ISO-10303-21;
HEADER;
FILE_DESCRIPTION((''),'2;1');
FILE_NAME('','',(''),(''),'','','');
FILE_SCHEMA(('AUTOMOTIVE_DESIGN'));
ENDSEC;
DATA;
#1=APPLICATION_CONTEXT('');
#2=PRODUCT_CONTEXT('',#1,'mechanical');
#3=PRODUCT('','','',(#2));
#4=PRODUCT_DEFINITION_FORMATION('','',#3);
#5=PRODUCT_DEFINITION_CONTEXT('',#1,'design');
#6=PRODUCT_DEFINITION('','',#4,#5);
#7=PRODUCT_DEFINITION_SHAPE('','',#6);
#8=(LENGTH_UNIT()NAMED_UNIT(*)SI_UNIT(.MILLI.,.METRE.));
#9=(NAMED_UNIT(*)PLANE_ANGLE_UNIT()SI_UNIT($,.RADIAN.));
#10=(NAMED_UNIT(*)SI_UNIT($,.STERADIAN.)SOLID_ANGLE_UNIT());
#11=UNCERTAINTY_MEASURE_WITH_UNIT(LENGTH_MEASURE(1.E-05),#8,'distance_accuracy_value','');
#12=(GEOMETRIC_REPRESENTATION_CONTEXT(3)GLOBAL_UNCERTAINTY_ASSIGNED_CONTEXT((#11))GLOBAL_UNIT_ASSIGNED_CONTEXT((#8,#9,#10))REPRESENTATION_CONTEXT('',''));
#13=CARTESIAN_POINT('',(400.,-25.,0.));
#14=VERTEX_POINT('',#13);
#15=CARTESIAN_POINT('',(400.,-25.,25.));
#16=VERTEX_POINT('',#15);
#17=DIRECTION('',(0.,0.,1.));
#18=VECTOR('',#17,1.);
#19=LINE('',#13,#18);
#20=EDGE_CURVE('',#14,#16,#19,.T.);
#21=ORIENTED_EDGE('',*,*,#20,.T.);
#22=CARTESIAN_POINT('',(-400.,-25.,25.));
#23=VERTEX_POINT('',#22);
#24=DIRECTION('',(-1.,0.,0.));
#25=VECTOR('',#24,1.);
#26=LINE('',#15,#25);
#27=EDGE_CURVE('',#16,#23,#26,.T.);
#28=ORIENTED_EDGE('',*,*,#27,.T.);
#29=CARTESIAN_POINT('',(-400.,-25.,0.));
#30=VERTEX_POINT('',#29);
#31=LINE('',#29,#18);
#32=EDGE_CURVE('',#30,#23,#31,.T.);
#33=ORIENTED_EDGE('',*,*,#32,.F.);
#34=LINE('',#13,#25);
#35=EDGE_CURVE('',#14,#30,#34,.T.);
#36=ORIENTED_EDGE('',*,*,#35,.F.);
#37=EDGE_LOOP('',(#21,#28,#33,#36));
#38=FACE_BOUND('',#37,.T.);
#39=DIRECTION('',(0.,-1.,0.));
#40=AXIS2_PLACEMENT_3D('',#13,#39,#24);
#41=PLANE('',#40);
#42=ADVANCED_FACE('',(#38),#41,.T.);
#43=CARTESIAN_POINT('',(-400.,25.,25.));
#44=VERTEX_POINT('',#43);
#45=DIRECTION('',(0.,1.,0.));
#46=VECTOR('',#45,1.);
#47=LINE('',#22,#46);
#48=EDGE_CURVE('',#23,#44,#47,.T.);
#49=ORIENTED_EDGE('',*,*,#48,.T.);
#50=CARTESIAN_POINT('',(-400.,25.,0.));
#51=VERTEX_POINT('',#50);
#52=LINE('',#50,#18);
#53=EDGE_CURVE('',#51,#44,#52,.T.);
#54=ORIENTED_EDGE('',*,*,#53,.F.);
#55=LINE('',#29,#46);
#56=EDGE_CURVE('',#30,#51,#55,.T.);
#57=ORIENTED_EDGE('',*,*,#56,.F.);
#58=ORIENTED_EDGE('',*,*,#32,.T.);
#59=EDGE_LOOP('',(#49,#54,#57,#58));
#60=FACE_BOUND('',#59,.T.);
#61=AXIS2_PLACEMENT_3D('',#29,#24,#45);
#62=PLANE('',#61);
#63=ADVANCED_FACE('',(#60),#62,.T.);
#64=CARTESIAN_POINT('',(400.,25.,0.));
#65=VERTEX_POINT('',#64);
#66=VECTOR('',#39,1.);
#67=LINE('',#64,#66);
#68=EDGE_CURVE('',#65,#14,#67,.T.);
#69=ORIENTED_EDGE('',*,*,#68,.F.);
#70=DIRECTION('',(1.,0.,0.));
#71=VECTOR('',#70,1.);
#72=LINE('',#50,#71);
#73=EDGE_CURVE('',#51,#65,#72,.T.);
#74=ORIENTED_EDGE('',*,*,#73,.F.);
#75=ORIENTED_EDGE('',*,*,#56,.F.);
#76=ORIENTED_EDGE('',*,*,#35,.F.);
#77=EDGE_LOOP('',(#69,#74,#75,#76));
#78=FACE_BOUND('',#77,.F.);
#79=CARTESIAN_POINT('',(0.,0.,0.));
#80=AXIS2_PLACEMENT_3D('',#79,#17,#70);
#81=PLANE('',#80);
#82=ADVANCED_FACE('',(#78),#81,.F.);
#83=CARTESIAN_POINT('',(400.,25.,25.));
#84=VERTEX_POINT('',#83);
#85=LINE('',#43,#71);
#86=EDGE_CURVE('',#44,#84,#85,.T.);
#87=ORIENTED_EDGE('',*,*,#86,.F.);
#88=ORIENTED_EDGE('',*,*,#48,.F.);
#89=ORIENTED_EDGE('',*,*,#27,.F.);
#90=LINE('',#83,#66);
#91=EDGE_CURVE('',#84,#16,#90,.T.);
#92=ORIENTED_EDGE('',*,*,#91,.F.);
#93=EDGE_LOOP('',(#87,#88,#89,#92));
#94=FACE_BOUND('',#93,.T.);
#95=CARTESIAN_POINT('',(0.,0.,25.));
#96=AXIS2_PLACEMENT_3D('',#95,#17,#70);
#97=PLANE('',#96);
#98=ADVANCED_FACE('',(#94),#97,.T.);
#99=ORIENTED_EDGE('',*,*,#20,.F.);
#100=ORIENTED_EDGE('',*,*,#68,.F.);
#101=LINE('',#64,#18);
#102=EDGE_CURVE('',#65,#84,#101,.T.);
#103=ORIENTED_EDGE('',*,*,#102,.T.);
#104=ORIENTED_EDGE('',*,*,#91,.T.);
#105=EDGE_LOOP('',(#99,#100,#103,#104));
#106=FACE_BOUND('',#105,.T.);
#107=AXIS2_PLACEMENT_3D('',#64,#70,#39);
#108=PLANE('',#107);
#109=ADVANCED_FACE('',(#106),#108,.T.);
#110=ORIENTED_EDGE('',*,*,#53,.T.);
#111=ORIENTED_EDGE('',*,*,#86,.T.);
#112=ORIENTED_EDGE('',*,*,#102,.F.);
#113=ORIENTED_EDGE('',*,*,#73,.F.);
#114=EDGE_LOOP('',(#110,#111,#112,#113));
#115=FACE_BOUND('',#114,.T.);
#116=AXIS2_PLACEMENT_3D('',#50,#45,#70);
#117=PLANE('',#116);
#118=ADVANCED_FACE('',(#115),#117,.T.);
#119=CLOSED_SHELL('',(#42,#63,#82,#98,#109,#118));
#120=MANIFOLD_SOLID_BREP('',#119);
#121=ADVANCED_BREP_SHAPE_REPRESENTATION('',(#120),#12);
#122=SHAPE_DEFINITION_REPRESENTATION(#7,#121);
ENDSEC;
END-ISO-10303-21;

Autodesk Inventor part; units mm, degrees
ref_plane "YZ Plane" through (0, 0, 0) normal (1, 0, 0) x (0, 1, 0)
ref_plane "XZ Plane" through (0, 0, 0) normal (0, 1, 0) x (-1, 0, 0)
ref_plane "XY Plane" through (0, 0, 0) normal (0, 0, 1) x (1, 0, 0)
sketch "Sketch1" plane through (0, 0, 0) normal (0, 0, 1) x (1, 0, 0)
  line L0 (-400, 25) -> (400, 25)
  line L1 (400, 25) -> (400, -25)
  line L2 (400, -25) -> (-400, -25)
  line L3 (-400, -25) -> (-400, 25)
  line L4 (0, -25) -> (0, 25) construction
  point P0 (0, 0)
  point P1 (0, 0)
  dimension "d0" = 800
  dimension "d1" = 50
extrude "Extrusion1" add sketch "Sketch1" along normal blind 25
equation "\"d0\" = wall_length"
equation "\"d1\" = wall_width"
equation "\"d2\" = wall_thickness"
equation "\"edge_gap_distance\" = 14.5"
equation "\"wall_length\" = track_length"
equation "\"wall_width\" = -0.5 * track_width + 0.5 * layer_width"
equation "\"wall_thickness\" = 25"
equation "\"ferrite_length\" = 218"
equation "\"ferrite_width\" = 15"
equation "\"ferrite_height\" = 8"
equation "\"bolt_diameter\" = 8"
equation "\"x_offset_for_bolts\" = 75"
equation "\"y_offset_for_bolts\" = 175"
equation "\"wire_diameter\" = 4.5"
equation "\"distance_between_wires\" = -1.2 * wire_diameter + 0.2 * parameter_6"
equation "\"distance_between_wires_edge\" = -1.5 * wire_diameter + 0.5 * parameter_2"
equation "\"bend_radius_inner\" = 15"
equation "\"track_length\" = 800"
equation "\"track_width\" = 300"
equation "\"layer_width\" = 400"
equation "\"parameter_6\" = 120"
equation "\"parameter_2\" = 30"
properties part number "track_walls"
